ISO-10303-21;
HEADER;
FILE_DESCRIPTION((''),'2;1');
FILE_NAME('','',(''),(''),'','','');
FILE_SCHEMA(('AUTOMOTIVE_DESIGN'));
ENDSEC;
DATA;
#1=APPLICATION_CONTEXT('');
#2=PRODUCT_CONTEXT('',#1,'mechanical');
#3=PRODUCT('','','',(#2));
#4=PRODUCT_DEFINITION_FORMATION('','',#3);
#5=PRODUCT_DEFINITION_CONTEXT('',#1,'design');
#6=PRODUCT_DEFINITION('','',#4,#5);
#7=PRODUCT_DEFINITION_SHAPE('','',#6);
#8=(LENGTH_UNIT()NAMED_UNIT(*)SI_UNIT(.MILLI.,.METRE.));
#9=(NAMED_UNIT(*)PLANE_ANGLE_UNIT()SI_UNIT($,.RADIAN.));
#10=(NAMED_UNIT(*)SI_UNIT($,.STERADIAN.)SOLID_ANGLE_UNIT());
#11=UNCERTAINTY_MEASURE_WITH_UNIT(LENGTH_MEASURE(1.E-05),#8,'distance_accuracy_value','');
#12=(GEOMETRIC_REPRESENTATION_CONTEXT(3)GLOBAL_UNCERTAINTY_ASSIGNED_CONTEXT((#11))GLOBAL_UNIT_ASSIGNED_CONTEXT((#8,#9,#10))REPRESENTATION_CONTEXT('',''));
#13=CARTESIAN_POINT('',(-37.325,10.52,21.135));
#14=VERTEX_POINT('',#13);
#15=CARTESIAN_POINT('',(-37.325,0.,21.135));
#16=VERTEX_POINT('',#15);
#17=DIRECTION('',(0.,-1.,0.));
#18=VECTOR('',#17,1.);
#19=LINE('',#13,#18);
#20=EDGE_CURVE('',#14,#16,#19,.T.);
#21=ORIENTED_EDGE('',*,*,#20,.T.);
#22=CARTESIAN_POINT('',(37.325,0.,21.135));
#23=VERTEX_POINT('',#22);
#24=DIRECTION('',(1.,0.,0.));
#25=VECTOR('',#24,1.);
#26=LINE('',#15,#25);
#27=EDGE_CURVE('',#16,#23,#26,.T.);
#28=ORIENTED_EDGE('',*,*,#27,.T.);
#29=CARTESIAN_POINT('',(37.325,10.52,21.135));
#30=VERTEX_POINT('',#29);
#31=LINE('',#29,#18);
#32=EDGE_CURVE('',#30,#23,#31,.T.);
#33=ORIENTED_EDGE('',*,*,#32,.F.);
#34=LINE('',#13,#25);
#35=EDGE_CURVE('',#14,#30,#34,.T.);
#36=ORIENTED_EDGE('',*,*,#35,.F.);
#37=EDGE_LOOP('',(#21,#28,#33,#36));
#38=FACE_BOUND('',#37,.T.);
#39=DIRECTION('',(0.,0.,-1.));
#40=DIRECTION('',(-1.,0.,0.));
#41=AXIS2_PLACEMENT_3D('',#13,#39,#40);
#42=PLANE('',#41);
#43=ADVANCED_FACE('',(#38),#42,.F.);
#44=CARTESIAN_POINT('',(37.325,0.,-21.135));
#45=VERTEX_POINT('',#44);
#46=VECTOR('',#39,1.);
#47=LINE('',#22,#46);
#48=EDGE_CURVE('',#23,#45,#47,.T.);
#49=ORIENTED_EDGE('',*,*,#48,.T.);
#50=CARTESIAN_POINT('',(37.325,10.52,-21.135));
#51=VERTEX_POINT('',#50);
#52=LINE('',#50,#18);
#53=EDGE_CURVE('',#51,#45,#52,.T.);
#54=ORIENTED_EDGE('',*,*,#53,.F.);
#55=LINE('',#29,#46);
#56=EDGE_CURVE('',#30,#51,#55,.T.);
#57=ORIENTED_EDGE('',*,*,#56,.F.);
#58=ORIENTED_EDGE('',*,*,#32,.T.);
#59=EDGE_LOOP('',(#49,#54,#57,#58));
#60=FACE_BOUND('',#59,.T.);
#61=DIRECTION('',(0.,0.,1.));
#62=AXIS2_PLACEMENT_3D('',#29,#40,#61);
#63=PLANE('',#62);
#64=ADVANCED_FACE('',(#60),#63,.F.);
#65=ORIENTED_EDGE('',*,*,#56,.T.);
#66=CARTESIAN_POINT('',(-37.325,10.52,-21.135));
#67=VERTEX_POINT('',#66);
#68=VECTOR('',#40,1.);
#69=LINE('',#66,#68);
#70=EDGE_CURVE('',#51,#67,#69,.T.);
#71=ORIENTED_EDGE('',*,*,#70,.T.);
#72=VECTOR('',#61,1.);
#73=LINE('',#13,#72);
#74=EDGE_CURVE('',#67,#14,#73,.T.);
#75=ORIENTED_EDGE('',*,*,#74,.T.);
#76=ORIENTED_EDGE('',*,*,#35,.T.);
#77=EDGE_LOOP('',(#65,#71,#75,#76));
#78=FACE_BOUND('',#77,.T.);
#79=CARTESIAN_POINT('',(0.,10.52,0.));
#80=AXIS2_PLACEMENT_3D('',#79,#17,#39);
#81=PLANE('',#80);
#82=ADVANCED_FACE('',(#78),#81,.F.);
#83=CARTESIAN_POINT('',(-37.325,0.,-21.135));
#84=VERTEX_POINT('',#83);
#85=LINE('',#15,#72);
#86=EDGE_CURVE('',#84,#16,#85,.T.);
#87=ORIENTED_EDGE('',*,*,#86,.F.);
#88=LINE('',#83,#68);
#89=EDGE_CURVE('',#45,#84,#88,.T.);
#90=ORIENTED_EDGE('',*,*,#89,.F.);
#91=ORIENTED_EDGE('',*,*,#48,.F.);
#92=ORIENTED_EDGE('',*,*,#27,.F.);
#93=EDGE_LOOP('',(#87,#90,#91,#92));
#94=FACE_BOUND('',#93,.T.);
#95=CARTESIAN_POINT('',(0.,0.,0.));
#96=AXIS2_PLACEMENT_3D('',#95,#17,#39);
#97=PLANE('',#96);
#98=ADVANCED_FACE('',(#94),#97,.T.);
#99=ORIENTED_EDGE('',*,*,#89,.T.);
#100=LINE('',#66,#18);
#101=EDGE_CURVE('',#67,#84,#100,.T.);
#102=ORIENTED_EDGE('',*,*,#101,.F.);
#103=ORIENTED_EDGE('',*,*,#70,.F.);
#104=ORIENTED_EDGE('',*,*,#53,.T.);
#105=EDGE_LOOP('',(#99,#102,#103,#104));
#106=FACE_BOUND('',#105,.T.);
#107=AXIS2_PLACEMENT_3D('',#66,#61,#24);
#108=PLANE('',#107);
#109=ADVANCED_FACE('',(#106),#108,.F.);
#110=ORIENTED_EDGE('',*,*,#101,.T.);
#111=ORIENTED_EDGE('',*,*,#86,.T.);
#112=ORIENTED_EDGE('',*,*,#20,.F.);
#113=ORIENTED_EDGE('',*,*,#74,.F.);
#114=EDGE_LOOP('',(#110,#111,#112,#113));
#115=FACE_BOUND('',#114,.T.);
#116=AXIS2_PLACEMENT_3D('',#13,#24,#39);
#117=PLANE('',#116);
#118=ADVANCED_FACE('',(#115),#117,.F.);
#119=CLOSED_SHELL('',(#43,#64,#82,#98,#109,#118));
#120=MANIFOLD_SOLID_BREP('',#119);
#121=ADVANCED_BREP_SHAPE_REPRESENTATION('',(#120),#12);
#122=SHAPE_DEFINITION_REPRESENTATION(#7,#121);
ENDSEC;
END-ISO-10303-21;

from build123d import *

# Parameters (mm, degrees)
SKETCH1_W           = 74.65
SKETCH1_H           = 42.27
BOSS_EXTRUDE1_DEPTH = 10.52


with BuildPart() as part:
    # Sketch1 → Boss-Extrude1 (new body)
    with BuildSketch(Plane(origin=(0, 0, 0), x_dir=(1, 0, 0), z_dir=(0, 1, 0))):
        Rectangle(SKETCH1_W, SKETCH1_H)
    extrude(amount=BOSS_EXTRUDE1_DEPTH)


solid = part.part
